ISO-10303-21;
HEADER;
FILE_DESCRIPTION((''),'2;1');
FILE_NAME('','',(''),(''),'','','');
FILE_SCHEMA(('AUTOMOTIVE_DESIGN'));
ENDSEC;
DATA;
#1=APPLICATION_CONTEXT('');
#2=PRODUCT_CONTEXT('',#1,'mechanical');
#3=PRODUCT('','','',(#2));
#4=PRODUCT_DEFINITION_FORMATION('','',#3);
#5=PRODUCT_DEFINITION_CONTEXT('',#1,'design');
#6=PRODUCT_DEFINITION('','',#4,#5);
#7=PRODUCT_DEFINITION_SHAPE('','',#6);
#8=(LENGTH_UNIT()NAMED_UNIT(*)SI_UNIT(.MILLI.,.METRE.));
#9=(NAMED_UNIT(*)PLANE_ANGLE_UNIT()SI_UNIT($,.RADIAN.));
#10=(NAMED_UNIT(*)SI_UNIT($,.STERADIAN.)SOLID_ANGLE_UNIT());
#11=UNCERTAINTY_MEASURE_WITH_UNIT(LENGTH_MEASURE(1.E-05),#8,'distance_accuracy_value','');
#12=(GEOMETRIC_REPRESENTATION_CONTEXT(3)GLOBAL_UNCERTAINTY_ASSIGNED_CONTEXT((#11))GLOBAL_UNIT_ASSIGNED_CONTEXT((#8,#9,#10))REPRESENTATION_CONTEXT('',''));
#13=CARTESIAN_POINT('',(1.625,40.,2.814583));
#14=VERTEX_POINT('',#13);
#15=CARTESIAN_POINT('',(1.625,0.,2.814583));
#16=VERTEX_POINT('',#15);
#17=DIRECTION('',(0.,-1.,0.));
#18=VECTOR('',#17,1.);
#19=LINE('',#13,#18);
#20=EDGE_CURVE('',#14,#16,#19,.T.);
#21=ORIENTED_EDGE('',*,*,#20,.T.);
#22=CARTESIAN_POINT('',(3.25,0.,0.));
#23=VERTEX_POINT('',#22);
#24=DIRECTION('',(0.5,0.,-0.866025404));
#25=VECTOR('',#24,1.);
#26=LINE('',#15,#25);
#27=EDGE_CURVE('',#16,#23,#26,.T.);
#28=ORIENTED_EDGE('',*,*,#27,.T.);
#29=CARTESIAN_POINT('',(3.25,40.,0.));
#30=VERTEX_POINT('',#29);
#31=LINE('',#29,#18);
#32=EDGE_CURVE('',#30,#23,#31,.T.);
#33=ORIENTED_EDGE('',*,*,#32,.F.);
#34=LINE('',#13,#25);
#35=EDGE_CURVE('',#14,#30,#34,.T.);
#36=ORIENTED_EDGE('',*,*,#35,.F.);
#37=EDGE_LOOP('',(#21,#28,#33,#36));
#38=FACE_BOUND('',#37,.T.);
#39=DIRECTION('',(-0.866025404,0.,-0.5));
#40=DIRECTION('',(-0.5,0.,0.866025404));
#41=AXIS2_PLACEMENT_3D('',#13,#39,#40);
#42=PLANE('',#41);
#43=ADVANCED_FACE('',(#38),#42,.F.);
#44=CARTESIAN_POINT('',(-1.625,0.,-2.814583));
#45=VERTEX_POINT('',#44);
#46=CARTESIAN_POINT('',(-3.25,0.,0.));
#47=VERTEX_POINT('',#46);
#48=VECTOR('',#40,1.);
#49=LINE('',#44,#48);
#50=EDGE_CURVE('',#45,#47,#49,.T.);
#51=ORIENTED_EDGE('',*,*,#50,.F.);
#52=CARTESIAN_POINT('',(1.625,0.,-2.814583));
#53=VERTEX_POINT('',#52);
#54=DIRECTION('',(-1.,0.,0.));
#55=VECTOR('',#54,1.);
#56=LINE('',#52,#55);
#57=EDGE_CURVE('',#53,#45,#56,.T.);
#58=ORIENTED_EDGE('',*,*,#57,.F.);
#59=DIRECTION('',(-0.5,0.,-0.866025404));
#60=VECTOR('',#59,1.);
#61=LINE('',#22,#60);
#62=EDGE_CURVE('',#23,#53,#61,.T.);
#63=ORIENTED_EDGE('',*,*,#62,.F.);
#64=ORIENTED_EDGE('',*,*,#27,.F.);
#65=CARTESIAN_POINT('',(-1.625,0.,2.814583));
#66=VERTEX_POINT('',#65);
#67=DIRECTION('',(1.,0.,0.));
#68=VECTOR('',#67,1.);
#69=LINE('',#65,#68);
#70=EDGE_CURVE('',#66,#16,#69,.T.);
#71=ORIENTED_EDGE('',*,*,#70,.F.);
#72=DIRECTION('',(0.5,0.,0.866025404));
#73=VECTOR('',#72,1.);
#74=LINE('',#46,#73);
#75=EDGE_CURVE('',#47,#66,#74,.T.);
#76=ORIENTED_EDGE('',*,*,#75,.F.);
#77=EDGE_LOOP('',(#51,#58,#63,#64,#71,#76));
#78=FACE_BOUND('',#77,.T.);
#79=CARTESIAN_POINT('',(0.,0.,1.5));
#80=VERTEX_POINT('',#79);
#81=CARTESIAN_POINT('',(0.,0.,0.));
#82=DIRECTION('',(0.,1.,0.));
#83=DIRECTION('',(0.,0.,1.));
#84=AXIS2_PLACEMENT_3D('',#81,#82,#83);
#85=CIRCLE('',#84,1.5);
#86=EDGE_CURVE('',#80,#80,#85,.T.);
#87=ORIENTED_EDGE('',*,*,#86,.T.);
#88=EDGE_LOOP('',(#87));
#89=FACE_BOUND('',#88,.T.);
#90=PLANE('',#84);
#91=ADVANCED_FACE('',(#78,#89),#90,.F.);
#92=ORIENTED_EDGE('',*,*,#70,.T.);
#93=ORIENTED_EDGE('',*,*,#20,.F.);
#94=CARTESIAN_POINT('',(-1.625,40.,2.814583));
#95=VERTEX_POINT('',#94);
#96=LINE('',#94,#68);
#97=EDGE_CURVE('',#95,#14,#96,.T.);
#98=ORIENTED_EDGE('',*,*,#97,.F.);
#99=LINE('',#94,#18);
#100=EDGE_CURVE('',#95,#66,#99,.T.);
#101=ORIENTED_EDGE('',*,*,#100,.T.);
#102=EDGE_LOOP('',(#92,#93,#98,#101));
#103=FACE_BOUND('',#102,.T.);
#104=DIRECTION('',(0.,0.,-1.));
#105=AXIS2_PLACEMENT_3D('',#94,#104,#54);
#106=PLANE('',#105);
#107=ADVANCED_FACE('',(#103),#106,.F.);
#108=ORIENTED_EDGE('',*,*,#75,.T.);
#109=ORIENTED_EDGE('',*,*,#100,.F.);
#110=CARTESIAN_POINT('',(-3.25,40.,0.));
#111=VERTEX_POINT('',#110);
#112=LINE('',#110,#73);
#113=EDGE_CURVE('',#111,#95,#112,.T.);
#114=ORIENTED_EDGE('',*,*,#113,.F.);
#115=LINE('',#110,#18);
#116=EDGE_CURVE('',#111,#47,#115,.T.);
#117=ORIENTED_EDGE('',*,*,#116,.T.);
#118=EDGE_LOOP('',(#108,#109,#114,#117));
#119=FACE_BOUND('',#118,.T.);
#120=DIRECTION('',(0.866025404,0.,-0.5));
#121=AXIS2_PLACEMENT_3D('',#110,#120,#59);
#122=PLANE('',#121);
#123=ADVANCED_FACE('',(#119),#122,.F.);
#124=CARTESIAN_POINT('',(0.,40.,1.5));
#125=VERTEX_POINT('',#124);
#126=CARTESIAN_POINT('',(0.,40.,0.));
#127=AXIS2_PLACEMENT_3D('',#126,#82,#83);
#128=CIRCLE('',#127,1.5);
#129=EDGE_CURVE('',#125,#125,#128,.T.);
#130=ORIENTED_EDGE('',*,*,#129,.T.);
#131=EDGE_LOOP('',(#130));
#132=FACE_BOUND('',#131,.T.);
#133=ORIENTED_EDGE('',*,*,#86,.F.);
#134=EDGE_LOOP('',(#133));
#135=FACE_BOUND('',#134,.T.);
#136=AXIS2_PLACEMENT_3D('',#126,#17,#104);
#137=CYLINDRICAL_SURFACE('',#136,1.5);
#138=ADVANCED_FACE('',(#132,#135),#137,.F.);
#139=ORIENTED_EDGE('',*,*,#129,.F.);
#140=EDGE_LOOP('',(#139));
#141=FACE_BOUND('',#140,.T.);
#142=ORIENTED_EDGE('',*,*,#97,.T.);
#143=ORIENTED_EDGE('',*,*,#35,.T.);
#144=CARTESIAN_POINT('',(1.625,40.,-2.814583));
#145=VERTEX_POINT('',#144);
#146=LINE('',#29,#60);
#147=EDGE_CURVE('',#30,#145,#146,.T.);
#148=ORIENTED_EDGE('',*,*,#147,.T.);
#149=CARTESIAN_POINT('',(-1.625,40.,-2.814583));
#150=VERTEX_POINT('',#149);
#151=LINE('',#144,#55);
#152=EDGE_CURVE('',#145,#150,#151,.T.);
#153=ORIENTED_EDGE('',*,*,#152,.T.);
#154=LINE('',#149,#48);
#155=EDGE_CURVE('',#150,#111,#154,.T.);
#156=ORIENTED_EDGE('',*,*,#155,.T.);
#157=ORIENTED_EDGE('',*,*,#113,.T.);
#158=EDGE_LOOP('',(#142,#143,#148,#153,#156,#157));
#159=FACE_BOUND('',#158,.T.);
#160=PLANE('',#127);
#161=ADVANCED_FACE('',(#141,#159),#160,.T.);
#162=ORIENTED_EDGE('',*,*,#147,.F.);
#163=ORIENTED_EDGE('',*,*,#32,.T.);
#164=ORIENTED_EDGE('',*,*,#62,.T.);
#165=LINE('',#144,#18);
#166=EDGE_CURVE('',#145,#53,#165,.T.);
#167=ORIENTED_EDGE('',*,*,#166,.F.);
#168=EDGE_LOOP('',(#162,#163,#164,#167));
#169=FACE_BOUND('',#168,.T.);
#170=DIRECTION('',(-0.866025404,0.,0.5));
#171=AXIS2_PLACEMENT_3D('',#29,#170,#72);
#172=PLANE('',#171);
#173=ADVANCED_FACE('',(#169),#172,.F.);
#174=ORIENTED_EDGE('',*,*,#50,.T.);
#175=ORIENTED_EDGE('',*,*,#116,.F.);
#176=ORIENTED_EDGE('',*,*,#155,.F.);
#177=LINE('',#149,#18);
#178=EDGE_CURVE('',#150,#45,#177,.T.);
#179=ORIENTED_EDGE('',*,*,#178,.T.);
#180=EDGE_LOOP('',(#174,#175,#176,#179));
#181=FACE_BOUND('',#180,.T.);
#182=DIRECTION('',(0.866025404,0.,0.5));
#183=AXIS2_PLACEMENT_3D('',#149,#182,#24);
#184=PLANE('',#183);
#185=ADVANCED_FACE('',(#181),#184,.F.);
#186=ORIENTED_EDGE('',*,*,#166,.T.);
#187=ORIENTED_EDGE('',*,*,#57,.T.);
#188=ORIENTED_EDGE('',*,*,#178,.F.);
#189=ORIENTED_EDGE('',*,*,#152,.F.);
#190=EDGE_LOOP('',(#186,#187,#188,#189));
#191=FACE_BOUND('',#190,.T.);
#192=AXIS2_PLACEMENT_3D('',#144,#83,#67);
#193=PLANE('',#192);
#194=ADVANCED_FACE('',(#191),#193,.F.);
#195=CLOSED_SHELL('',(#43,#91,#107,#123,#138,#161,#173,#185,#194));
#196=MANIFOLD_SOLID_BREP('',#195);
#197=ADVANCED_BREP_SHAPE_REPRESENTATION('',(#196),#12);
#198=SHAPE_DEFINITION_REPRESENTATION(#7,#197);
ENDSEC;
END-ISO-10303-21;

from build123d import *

# Parameters (mm, degrees)
SKETCH_2_R      = 1.5
EXTRUDE_1_DEPTH = 40


with BuildPart() as part:
    # 草图2 → 凸台-拉伸1 (new body)
    with BuildSketch(Plane(origin=(0, 0, 0), x_dir=(1, 0, 0), z_dir=(0, 1, 0))):
        Polygon((-1.625, 2.814582562), (-3.25, 0), (-1.625, -2.814582562), (1.625, -2.814582562), (3.25, 0), (1.625, 2.814582562), align=None)
        Circle(SKETCH_2_R, mode=Mode.SUBTRACT)
    extrude(amount=EXTRUDE_1_DEPTH)


solid = part.part
